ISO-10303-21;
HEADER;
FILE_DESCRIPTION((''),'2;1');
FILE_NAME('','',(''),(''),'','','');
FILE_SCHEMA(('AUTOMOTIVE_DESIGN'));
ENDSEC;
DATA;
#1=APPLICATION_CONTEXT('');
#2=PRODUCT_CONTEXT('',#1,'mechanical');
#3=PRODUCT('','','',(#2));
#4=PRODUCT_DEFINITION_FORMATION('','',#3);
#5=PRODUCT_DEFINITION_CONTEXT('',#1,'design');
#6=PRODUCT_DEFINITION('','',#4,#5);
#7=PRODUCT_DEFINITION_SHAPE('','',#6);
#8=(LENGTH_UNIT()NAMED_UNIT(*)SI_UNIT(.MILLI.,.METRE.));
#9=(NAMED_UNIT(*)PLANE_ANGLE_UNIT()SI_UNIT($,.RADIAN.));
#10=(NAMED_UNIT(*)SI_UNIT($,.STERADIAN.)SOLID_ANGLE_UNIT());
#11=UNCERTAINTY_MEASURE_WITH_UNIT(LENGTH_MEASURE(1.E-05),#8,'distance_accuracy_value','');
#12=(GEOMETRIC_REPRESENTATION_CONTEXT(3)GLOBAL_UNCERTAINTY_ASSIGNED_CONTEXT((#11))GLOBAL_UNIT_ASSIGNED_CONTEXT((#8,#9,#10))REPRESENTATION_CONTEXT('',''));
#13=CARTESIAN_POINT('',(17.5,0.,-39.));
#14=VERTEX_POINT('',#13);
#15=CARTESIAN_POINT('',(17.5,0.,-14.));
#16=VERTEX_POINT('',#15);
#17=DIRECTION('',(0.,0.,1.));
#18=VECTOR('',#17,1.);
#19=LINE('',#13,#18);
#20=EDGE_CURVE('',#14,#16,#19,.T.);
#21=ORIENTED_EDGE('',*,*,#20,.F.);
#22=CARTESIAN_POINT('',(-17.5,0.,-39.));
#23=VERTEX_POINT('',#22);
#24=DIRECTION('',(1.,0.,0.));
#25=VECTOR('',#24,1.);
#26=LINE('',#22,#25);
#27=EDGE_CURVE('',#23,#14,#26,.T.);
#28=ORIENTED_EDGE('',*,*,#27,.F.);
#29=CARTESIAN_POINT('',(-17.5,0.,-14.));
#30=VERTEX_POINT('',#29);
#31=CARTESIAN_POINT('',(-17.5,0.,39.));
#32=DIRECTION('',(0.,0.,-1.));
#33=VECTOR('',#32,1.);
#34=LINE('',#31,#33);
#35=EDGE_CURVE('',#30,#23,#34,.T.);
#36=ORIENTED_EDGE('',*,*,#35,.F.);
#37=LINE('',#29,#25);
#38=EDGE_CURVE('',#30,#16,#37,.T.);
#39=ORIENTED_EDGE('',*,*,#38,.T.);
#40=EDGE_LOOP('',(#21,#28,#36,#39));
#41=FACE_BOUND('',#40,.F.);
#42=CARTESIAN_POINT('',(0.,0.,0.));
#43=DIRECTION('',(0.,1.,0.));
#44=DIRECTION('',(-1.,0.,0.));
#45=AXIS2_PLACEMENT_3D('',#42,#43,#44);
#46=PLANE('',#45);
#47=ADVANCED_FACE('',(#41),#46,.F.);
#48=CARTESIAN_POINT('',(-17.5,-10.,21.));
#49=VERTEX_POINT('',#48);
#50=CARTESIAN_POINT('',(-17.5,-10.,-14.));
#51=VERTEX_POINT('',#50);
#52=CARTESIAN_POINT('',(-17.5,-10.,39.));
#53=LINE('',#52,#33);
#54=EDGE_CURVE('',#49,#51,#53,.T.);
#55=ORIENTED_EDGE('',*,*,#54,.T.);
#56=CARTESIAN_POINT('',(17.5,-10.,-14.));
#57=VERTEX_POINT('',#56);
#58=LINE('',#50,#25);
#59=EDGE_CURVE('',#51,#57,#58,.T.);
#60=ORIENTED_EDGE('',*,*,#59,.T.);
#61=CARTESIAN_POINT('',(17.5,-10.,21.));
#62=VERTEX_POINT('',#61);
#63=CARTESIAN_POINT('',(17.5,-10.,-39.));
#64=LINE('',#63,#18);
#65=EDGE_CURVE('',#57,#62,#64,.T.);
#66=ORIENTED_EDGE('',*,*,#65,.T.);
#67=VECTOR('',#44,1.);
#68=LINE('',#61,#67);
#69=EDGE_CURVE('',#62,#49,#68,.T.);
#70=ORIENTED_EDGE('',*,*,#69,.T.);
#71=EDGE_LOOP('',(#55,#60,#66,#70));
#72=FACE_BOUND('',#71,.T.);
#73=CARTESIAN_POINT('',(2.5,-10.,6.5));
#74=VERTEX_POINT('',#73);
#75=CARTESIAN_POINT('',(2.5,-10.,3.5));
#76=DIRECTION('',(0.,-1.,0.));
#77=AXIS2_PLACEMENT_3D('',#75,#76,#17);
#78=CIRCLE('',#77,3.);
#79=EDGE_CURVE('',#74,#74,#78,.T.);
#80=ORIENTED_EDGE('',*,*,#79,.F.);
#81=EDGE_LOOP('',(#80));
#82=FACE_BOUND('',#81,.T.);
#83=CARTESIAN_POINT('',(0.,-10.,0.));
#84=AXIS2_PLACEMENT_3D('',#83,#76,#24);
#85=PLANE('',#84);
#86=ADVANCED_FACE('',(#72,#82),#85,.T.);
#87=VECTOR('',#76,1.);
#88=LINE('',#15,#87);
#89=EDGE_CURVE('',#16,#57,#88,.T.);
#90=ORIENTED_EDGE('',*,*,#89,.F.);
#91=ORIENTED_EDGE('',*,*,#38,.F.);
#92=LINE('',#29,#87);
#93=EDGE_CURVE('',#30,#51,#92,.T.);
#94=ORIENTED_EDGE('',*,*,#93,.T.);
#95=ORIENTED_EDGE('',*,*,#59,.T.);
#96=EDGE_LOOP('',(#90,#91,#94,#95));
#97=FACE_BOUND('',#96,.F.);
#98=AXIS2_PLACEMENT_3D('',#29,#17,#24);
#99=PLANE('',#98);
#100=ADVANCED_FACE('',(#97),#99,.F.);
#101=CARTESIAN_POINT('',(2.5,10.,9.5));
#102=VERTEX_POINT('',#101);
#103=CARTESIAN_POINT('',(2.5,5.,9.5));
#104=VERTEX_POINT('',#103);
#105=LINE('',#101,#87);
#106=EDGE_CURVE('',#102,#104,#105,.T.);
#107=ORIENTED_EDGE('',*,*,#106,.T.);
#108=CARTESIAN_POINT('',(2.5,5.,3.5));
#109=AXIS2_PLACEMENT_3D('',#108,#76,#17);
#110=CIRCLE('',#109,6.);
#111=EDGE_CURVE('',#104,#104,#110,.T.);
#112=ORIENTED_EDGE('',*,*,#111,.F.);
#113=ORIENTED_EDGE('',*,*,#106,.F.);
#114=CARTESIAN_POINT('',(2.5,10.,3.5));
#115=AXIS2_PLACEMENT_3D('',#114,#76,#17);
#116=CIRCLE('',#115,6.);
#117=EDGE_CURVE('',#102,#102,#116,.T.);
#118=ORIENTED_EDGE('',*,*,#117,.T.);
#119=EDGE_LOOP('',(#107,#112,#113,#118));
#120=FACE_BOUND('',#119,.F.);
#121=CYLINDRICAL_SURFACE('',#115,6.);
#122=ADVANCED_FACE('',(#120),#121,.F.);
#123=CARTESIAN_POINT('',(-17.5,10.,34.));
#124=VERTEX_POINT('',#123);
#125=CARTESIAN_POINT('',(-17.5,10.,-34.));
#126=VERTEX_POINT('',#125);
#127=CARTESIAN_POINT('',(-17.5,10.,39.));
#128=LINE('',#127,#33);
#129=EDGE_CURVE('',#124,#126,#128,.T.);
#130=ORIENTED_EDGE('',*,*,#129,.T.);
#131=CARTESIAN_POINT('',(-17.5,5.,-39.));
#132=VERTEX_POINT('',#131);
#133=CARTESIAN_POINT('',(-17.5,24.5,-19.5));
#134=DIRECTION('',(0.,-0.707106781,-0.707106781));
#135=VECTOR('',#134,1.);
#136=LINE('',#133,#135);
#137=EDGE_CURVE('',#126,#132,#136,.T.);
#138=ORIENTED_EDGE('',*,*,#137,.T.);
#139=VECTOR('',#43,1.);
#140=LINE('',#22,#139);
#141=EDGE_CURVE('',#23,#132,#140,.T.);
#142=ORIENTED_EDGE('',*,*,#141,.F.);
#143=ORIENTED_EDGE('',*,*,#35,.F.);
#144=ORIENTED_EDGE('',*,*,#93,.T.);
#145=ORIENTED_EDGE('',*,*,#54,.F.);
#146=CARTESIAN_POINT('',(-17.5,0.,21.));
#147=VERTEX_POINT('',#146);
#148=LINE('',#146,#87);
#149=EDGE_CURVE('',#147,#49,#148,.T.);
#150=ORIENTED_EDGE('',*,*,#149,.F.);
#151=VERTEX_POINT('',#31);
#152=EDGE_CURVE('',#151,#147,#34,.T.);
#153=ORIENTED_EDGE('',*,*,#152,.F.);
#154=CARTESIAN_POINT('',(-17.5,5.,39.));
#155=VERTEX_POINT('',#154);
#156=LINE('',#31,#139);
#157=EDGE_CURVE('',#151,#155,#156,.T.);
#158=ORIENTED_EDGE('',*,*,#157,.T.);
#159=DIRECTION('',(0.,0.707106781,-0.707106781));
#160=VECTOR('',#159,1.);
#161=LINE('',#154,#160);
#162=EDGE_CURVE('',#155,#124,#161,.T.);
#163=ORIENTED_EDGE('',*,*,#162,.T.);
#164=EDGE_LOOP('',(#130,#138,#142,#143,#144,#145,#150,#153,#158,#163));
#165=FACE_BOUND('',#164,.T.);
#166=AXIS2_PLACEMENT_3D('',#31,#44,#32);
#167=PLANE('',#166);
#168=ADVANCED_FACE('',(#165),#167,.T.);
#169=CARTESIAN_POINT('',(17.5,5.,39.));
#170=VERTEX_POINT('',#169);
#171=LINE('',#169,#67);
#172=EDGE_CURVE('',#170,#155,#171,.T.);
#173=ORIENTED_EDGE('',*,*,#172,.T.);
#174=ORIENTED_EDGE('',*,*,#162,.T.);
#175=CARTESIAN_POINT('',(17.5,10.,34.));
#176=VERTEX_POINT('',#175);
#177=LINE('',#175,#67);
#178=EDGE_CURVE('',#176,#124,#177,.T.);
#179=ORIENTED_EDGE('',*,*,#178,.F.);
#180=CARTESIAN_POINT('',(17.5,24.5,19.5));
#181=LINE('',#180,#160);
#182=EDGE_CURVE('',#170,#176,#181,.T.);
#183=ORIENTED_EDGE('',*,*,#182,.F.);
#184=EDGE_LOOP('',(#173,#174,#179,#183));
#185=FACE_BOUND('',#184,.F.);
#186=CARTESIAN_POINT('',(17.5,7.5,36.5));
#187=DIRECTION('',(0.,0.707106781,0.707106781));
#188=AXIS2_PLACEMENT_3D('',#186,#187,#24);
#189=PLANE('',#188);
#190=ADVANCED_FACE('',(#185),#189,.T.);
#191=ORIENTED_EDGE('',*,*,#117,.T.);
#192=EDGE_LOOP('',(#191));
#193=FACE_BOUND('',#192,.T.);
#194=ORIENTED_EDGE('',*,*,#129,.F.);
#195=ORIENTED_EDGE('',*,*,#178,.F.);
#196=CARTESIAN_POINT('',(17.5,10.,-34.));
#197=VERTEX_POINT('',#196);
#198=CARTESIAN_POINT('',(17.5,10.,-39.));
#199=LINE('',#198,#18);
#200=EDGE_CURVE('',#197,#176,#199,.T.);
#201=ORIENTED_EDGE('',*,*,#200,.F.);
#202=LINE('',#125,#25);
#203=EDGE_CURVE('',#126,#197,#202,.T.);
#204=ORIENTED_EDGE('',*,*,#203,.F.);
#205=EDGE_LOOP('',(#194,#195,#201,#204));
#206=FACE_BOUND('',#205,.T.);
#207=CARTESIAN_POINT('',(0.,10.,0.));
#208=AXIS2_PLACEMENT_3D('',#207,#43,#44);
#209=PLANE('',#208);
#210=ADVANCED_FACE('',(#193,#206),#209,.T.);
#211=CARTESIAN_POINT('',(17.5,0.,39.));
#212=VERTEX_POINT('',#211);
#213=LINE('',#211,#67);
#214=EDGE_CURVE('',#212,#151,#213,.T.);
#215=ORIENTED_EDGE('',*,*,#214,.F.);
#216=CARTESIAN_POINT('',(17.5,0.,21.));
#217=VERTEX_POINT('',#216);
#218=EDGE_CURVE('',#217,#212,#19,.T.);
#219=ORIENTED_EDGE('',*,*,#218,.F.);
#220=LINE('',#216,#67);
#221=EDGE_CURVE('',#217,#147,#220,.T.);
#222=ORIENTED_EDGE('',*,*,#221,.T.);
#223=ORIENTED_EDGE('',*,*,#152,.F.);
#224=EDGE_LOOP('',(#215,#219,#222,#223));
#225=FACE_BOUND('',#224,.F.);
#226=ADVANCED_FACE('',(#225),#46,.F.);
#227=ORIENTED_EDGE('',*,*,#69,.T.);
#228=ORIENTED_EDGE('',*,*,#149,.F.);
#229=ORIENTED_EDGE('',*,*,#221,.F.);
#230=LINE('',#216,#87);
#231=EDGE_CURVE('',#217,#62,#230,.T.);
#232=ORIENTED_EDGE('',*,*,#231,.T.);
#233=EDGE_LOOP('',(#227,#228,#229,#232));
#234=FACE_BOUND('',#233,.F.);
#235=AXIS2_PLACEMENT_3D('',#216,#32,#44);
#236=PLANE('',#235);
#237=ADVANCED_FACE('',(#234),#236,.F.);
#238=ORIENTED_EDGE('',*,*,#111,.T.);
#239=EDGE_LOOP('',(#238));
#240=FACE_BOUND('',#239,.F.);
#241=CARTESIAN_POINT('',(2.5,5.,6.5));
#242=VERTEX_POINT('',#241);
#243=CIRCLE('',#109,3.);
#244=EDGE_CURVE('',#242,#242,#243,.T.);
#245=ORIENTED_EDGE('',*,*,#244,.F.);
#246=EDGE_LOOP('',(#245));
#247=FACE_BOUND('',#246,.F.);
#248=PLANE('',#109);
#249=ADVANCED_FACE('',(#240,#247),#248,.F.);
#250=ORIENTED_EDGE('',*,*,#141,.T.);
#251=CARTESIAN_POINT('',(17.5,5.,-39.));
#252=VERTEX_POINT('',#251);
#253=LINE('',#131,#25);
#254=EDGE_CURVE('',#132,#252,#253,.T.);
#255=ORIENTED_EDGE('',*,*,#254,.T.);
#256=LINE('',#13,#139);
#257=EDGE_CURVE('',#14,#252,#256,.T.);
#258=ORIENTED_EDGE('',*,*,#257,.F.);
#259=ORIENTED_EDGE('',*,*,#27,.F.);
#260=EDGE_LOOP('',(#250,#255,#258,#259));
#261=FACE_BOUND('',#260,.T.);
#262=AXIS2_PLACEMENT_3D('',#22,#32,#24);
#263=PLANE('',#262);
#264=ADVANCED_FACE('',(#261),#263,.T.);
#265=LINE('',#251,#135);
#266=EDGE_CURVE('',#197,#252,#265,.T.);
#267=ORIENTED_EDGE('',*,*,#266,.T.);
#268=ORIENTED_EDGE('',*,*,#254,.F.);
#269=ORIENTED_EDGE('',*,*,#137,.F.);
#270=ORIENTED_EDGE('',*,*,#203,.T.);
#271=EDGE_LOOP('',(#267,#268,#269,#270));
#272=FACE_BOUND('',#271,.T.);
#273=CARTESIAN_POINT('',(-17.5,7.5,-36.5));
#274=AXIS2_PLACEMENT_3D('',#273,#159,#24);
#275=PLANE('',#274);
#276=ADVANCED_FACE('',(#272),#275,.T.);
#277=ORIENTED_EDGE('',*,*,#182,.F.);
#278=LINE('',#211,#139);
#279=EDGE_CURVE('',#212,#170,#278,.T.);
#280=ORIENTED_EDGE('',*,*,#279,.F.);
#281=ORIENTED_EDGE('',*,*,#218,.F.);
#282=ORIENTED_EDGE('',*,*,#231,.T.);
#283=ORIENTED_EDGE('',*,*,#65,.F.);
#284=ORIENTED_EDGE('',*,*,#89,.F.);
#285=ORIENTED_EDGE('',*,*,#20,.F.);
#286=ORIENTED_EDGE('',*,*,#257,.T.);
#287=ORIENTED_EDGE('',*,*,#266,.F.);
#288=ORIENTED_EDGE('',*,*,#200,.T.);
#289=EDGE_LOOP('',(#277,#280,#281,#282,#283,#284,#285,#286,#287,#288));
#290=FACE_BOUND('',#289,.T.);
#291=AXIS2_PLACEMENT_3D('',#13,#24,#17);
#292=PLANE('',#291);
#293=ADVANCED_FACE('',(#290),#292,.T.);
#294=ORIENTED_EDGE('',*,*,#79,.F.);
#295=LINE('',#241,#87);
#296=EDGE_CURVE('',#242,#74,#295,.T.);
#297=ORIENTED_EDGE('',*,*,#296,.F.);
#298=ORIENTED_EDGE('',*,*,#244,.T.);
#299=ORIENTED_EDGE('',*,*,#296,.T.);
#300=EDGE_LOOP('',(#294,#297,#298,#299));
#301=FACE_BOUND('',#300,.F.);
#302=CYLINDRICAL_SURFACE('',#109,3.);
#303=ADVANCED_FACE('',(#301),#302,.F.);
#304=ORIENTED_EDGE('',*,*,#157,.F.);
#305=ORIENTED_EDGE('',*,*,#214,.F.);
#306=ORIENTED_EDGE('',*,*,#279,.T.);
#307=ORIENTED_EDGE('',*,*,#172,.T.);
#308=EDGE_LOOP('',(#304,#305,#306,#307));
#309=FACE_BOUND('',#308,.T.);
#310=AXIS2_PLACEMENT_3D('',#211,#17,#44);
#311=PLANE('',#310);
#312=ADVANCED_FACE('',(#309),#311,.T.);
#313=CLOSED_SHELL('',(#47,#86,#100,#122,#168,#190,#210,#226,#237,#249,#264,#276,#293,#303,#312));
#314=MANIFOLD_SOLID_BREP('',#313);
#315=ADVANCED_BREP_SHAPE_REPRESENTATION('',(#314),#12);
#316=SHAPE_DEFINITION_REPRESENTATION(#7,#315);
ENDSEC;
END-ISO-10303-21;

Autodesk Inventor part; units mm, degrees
ref_plane "YZ Plane" through (0, 0, 0) normal (1, 0, 0) x (0, 1, 0)
ref_plane "XZ Plane" through (0, 0, 0) normal (0, 1, 0) x (-1, 0, 0)
ref_plane "XY Plane" through (0, 0, 0) normal (0, 0, 1) x (1, 0, 0)
sketch "Skizze1" plane through (0, 0, 0) normal (0, 1, 0) x (-1, 0, 0)
  line L0 (-17.5, 39) -> (17.5, 39)
  line L1 (17.5, 39) -> (17.5, -39)
  line L2 (17.5, -39) -> (-17.5, -39)
  line L3 (-17.5, -39) -> (-17.5, 39)
  line L4 (-17.5, 39) -> (17.5, -39) construction
  line L5 (17.5, 39) -> (-17.5, -39) construction
  point P0 (0, 0)
  dimension "d0" = 78
  dimension "d1" = 35
extrude "Extrusion1" add sketch "Skizze1" along normal blind 10
sketch "Skizze2" plane through (0, 0, 0) normal (0, -1, 0) x (1, 0, 0)
  line L0 (17.5, 39) -> (-17.5, 39) projected
  line L1 (-17.5, 39) -> (-17.5, -39) projected
  line L2 (-17.5, -39) -> (17.5, -39) projected
  line L3 (17.5, -39) -> (17.5, 39) projected
  line L4 (17.5, 39) -> (17.5, -39) projected
  line L5 (-17.5, -14) -> (17.5, -14)
  line L6 (17.5, -14) -> (17.5, 21)
  line L7 (17.5, 21) -> (-17.5, 21)
  line L8 (-17.5, 21) -> (-17.5, -14)
  point P0 (0, 0)
  dimension "d4" = 18
  dimension "d5" = 25
extrude "Extrusion2" add sketch "Skizze2" along normal blind 10 contours L3 L5 L1 L7
sketch "Skizze3" plane through (0, 10, 0) normal (0, 1, 0) x (1, 0, 0)
  line L0 (17.5, -39) -> (17.5, 39) projected
  line L1 (-17.5, -39) -> (17.5, -39) projected
  point P0 (0, 0)
  point P1 (2.5, -3.5)
  dimension "d8" = 15
  dimension "d9" = 35.5
hole "Bohrung1" at (2.5, 10, 3.5) direction (0, -1, 0) diameter 6 end through all counterbore diameter 12 counterbore depth 5
chamfer "Fase1" distance 5 angle 45 2 edges at (0, 10, 39) (0, 10, -39)
properties part number "Holding_Plate_Frame" material "PC/ABS-Kunststoff"
